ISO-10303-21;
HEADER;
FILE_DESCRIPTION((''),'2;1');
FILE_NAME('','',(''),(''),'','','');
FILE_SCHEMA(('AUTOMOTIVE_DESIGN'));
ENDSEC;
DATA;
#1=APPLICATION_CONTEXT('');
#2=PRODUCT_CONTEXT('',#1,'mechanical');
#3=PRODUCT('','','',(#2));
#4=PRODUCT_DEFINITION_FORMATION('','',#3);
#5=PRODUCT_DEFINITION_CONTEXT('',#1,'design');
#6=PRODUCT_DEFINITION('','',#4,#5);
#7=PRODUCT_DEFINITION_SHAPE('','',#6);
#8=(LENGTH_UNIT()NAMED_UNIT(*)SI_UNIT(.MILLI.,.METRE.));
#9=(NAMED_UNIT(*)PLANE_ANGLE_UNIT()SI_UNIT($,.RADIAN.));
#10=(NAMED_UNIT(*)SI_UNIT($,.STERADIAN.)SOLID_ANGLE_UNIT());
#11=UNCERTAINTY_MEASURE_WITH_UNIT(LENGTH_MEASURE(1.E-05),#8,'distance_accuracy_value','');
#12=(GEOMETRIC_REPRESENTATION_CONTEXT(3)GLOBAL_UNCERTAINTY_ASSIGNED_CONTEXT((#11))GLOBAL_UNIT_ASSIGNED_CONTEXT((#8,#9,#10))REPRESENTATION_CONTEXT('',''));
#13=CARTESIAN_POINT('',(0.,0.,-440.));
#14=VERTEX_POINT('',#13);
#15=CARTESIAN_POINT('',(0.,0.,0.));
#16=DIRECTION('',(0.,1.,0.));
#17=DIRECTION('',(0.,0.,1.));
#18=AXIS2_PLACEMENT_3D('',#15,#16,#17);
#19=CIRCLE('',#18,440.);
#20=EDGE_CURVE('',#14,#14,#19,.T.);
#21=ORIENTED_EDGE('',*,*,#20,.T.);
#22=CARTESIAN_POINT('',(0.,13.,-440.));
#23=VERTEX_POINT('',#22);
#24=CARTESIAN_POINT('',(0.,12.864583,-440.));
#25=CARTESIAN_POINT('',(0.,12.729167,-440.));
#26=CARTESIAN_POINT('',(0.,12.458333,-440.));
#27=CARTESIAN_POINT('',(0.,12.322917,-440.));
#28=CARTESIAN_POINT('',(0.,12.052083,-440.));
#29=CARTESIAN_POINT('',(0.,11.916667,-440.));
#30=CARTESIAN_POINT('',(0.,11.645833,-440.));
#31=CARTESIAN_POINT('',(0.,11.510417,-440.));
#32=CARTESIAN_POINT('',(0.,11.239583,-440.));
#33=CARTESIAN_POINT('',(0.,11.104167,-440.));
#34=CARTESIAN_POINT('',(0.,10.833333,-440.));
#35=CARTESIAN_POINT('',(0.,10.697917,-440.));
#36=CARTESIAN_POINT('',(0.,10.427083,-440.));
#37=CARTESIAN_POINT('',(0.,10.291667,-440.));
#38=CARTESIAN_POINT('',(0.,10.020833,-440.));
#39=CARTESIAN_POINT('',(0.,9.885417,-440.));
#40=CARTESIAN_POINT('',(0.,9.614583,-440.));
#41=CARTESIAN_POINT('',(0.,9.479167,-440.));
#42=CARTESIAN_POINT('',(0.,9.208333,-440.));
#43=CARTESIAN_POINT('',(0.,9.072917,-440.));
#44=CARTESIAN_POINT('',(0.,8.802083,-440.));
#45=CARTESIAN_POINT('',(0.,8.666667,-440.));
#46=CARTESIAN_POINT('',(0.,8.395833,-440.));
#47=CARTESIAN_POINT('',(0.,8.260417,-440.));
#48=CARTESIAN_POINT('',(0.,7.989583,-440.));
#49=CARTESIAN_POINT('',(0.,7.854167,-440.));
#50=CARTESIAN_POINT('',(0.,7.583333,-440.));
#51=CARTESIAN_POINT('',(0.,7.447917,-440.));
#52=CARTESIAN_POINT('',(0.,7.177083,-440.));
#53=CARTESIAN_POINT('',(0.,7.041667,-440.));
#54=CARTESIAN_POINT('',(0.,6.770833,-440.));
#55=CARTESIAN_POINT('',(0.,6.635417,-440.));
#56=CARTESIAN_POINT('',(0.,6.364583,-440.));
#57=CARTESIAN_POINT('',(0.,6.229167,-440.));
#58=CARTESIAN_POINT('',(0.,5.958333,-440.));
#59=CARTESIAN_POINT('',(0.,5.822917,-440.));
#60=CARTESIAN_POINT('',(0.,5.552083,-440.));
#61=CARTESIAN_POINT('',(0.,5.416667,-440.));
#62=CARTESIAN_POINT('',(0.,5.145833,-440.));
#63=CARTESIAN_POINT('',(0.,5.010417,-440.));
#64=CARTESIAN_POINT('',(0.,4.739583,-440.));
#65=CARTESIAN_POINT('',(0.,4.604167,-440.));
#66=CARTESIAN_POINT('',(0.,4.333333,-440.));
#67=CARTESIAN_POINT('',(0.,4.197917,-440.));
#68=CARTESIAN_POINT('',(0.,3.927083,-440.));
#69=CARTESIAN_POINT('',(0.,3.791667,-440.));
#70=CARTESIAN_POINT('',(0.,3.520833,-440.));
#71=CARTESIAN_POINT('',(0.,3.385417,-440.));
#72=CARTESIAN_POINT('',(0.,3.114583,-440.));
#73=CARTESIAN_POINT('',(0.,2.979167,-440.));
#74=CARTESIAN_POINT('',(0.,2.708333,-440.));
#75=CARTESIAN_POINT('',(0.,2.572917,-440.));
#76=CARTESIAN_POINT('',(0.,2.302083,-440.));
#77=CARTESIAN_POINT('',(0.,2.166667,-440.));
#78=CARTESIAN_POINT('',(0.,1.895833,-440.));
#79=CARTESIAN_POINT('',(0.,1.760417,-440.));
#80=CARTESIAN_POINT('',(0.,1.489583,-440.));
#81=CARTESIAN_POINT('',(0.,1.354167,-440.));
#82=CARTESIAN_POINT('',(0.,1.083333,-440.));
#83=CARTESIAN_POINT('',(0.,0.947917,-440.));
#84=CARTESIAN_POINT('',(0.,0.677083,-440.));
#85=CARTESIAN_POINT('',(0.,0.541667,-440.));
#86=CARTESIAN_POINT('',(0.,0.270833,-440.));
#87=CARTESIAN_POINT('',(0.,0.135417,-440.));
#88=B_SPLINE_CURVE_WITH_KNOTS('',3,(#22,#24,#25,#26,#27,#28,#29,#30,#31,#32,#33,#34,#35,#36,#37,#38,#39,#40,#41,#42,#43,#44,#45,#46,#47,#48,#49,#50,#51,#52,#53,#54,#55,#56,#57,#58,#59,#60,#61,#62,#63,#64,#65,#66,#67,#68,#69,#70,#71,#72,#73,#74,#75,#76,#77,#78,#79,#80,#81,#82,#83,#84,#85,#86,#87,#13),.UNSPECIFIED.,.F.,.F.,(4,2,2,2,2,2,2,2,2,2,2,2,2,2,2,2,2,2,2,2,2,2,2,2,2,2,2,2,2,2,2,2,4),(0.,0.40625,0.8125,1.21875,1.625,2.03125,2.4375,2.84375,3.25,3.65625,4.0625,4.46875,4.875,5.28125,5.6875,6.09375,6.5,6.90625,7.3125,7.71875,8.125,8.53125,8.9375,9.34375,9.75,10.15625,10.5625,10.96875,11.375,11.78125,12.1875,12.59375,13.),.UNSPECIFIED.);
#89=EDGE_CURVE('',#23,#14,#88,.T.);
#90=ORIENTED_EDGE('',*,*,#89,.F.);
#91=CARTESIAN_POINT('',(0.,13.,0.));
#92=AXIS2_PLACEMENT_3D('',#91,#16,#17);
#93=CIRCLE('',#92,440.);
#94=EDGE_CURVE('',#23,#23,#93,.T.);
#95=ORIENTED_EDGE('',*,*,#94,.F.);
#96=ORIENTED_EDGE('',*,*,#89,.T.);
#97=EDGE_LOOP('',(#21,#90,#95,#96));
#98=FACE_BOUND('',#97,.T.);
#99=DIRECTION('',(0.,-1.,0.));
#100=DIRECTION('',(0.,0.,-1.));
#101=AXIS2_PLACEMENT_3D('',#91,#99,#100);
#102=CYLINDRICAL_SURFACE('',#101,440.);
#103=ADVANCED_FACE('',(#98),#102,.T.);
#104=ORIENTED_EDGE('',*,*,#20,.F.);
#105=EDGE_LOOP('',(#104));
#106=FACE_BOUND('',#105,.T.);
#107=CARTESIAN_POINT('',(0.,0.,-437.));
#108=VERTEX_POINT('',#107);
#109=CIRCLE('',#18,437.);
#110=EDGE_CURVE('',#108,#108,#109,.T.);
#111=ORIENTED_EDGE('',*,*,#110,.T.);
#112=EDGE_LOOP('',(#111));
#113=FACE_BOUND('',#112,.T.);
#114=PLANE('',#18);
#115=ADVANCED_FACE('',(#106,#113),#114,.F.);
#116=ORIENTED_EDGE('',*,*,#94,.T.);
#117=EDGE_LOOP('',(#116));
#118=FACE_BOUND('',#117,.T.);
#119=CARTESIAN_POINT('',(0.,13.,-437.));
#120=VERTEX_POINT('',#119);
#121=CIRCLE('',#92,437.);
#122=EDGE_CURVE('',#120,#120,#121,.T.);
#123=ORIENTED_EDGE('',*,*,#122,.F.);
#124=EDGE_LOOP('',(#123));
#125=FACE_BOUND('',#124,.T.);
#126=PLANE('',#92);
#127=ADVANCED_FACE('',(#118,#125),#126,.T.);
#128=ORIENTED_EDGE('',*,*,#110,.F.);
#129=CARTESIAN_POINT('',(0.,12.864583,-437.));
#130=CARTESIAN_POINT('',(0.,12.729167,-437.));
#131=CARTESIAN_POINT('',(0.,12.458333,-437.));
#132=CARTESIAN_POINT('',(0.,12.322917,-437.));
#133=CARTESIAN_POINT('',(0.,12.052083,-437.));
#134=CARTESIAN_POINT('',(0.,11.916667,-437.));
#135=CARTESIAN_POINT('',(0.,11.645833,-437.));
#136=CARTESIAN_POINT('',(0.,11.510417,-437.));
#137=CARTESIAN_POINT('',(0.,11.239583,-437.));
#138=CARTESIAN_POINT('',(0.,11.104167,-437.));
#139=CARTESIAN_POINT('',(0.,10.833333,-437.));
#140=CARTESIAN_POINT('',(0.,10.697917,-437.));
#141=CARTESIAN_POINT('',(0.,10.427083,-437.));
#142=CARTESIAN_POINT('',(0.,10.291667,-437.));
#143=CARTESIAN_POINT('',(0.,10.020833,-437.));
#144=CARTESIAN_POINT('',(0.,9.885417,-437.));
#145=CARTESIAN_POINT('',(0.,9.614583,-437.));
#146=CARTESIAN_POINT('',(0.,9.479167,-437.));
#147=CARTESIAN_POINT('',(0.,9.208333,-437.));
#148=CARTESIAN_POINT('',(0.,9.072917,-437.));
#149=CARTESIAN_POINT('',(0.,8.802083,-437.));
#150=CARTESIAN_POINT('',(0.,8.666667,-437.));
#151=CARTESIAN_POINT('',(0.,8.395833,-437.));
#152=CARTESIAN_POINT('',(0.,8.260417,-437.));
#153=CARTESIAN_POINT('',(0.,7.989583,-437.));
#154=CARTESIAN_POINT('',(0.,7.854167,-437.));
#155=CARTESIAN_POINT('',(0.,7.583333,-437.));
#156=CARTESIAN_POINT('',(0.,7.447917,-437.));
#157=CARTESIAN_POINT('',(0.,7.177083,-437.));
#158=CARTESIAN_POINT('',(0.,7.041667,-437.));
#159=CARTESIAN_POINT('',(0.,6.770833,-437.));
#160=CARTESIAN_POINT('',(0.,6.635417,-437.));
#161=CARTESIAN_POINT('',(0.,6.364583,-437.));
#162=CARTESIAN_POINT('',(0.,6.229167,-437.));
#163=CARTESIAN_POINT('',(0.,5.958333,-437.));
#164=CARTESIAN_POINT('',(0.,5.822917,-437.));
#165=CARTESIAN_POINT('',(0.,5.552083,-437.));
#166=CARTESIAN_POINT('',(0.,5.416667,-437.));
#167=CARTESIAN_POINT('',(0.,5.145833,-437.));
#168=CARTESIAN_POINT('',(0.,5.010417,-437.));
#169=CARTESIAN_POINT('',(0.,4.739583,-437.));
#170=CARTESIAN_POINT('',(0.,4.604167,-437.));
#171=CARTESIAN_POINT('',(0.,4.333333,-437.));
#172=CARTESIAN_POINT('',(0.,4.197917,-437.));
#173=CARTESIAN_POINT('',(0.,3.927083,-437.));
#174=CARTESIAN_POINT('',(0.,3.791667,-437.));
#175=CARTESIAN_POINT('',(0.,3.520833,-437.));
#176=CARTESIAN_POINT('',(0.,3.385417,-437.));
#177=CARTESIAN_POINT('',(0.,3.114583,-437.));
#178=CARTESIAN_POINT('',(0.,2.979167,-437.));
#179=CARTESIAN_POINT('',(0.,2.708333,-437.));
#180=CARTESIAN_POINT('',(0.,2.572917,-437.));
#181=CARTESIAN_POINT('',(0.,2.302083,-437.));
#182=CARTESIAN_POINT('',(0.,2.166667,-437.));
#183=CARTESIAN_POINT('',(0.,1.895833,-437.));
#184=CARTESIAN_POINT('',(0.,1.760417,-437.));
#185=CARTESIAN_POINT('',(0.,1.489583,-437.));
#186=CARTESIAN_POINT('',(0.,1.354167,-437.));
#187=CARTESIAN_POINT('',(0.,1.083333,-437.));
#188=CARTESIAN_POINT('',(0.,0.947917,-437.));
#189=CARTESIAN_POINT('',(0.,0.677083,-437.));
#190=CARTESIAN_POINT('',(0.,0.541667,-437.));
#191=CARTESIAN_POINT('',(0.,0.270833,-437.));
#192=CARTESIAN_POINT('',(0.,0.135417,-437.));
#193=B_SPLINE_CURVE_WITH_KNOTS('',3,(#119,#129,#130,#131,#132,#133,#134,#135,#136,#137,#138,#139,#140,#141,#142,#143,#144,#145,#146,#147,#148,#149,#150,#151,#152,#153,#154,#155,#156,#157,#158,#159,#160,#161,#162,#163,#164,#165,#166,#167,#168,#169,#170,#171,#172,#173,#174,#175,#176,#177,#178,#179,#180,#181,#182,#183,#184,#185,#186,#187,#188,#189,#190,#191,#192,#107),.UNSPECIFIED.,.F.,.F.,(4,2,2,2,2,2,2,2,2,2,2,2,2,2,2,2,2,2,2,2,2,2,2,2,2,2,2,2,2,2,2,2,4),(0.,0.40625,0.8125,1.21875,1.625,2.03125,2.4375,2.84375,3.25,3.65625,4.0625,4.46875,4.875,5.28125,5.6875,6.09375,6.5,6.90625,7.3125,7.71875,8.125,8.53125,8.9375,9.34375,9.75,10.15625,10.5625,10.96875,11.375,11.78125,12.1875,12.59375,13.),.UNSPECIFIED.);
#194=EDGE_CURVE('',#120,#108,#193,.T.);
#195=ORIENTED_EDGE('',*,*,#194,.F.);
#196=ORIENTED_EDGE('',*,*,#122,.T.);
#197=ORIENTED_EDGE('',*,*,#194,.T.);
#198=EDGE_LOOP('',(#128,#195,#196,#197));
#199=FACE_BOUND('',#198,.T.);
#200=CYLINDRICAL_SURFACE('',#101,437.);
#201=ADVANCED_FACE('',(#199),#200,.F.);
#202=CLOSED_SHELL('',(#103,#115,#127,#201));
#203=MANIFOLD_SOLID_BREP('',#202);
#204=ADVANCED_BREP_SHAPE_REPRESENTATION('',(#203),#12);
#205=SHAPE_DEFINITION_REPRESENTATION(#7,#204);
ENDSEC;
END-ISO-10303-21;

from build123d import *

# Parameters (mm, degrees)
SKETCH1_R           = 440
SKETCH1_R_2         = 437
BOSS_EXTRUDE1_DEPTH = 13


with BuildPart() as part:
    # Sketch1 → Boss-Extrude1 (new body)
    with BuildSketch(Plane(origin=(0, 0, 0), x_dir=(1, 0, 0), z_dir=(0, 1, 0))):
        Circle(SKETCH1_R)
        Circle(SKETCH1_R_2, mode=Mode.SUBTRACT)
    extrude(amount=BOSS_EXTRUDE1_DEPTH)


solid = part.part
